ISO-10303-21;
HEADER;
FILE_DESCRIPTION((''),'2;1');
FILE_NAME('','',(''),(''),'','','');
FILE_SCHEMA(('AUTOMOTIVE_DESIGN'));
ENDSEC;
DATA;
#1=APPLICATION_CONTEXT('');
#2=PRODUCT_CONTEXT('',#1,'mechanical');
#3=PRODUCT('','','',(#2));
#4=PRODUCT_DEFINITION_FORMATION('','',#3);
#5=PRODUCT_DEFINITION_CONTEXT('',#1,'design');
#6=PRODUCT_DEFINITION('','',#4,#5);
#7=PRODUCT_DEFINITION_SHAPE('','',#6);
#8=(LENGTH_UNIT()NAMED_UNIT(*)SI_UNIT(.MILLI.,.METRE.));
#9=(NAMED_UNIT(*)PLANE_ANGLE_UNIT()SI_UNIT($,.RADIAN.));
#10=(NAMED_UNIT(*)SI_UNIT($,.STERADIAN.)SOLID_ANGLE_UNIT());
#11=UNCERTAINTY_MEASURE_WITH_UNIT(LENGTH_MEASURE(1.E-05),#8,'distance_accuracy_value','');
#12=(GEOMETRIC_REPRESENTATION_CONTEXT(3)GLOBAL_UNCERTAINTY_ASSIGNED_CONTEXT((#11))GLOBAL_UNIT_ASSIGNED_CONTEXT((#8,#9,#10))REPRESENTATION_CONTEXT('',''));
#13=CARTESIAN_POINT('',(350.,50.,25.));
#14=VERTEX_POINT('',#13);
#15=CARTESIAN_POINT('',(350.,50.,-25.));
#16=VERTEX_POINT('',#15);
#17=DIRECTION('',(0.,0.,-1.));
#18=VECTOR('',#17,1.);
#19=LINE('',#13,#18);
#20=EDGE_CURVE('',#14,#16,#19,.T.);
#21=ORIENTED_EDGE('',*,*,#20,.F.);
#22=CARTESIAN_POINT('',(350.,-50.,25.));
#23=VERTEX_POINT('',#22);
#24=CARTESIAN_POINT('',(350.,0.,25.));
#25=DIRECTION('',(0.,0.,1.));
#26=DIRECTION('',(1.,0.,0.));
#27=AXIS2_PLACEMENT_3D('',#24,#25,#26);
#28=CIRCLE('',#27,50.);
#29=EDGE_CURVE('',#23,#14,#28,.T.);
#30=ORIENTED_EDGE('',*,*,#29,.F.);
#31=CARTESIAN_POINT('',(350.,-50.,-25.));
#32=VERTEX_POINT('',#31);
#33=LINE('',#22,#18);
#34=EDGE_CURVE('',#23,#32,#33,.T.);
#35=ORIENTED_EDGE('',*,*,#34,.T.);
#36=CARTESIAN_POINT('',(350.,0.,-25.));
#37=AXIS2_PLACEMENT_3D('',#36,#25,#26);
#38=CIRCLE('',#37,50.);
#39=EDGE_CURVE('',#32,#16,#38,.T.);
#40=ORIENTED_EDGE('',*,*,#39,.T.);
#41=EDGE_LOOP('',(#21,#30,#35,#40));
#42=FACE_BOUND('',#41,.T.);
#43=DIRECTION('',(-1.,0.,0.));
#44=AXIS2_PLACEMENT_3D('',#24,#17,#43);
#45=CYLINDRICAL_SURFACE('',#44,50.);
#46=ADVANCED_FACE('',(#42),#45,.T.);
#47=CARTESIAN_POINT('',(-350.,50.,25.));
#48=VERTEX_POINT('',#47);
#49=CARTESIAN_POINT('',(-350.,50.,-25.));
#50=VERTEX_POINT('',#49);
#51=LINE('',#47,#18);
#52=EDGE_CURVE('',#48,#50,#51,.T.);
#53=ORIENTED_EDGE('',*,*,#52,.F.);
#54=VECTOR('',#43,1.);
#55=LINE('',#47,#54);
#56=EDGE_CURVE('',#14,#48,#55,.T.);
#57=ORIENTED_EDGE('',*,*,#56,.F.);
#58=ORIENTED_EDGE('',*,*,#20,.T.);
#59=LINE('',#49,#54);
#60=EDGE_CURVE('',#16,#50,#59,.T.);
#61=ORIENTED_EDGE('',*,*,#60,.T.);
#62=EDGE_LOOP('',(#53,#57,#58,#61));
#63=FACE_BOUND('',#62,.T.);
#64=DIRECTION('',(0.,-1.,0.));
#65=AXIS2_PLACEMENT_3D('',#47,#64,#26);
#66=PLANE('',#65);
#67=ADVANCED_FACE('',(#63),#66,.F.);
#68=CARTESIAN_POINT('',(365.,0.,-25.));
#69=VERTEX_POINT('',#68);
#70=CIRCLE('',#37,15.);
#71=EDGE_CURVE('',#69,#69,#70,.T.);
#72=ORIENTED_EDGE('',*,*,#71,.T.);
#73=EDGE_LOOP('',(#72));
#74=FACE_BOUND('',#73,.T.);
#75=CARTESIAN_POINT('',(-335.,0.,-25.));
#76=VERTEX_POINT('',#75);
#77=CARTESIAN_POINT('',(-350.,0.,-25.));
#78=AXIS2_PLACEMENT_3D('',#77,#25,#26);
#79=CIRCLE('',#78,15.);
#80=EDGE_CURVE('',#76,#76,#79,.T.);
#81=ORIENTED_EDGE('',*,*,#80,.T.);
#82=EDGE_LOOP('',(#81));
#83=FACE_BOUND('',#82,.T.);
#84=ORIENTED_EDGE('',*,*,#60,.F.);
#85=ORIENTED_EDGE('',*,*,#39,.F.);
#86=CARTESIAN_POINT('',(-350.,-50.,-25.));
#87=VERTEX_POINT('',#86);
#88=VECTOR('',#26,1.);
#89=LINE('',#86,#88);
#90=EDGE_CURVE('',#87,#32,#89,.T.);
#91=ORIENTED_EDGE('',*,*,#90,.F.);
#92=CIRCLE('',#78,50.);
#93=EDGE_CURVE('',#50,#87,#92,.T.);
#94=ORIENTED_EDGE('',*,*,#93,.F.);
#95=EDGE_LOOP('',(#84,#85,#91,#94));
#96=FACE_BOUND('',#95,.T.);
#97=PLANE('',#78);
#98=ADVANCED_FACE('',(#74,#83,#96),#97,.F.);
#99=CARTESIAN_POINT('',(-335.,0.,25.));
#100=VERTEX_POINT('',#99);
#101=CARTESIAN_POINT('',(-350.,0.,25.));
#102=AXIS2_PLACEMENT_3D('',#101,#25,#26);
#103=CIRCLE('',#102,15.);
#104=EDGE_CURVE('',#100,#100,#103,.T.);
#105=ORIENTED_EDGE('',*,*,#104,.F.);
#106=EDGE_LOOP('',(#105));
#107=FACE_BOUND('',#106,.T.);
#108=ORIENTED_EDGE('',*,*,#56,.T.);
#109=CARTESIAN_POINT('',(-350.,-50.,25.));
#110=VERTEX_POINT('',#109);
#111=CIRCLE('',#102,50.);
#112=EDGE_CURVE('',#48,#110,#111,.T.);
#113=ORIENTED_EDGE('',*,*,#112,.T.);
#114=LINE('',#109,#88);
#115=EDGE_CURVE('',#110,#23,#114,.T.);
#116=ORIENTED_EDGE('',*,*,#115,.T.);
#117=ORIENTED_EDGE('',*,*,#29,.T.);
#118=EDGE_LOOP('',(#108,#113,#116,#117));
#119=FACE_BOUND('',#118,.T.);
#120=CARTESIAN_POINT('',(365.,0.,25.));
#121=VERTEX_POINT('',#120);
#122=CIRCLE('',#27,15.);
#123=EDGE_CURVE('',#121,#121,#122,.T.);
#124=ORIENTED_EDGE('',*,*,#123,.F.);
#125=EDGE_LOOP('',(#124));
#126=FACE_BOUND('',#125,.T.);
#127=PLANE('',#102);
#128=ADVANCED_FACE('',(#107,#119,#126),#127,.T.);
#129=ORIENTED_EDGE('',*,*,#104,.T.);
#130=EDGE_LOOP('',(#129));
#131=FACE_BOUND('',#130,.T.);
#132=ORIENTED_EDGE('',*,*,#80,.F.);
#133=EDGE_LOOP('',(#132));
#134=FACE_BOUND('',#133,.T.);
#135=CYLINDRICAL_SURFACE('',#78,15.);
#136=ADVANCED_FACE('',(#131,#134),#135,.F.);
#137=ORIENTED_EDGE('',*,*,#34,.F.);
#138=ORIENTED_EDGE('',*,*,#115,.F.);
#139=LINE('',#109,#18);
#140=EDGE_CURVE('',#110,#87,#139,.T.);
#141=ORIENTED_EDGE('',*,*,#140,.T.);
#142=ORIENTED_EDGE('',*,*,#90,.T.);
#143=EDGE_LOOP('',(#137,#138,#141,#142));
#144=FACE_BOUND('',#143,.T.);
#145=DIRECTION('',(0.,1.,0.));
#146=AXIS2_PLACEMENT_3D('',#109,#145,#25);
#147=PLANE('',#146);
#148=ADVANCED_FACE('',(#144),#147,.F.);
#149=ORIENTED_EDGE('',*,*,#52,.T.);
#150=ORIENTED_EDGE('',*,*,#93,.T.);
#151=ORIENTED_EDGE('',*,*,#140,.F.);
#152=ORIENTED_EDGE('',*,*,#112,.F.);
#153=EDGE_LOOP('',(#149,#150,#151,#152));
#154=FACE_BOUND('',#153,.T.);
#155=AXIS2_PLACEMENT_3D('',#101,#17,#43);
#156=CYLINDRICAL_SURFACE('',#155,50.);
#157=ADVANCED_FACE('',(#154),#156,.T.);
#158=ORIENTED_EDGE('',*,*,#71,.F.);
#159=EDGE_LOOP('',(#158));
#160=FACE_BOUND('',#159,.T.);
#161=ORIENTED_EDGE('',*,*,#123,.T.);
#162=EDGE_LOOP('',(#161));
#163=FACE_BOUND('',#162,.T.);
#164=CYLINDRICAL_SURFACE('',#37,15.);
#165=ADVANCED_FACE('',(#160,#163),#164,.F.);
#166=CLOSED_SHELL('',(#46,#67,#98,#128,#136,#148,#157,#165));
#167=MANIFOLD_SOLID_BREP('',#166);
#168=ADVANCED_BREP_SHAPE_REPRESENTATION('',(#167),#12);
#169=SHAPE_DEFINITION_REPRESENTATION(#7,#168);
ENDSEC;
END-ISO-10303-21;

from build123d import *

# Parameters (mm, degrees)
BOSS_EXTRUDE1_DEPTH = 25
SKETCH2_R           = 15
CUT_EXTRUDE1_DEPTH  = 51


with BuildPart() as part:
    # Sketch1 → Boss-Extrude1 (new body, symmetric)
    with BuildSketch(Plane.XY):
        with BuildLine():
            Line((-350, 50), (350, 50))
            ThreePointArc((350, 50), (400, 0), (350, -50))
            Line((350, -50), (-350, -50))
            ThreePointArc((-350, -50), (-400, 0), (-350, 50))
        make_face()
    extrude(amount=BOSS_EXTRUDE1_DEPTH, both=True)

    # Sketch2 → Cut-Extrude1 (cut, through all)
    with BuildSketch(Plane.XY.offset(25)):
        with Locations((-350, 0)):
            Circle(SKETCH2_R)
        with Locations((350, 0)):
            Circle(SKETCH2_R)
    extrude(amount=-CUT_EXTRUDE1_DEPTH, mode=Mode.SUBTRACT)


solid = part.part
